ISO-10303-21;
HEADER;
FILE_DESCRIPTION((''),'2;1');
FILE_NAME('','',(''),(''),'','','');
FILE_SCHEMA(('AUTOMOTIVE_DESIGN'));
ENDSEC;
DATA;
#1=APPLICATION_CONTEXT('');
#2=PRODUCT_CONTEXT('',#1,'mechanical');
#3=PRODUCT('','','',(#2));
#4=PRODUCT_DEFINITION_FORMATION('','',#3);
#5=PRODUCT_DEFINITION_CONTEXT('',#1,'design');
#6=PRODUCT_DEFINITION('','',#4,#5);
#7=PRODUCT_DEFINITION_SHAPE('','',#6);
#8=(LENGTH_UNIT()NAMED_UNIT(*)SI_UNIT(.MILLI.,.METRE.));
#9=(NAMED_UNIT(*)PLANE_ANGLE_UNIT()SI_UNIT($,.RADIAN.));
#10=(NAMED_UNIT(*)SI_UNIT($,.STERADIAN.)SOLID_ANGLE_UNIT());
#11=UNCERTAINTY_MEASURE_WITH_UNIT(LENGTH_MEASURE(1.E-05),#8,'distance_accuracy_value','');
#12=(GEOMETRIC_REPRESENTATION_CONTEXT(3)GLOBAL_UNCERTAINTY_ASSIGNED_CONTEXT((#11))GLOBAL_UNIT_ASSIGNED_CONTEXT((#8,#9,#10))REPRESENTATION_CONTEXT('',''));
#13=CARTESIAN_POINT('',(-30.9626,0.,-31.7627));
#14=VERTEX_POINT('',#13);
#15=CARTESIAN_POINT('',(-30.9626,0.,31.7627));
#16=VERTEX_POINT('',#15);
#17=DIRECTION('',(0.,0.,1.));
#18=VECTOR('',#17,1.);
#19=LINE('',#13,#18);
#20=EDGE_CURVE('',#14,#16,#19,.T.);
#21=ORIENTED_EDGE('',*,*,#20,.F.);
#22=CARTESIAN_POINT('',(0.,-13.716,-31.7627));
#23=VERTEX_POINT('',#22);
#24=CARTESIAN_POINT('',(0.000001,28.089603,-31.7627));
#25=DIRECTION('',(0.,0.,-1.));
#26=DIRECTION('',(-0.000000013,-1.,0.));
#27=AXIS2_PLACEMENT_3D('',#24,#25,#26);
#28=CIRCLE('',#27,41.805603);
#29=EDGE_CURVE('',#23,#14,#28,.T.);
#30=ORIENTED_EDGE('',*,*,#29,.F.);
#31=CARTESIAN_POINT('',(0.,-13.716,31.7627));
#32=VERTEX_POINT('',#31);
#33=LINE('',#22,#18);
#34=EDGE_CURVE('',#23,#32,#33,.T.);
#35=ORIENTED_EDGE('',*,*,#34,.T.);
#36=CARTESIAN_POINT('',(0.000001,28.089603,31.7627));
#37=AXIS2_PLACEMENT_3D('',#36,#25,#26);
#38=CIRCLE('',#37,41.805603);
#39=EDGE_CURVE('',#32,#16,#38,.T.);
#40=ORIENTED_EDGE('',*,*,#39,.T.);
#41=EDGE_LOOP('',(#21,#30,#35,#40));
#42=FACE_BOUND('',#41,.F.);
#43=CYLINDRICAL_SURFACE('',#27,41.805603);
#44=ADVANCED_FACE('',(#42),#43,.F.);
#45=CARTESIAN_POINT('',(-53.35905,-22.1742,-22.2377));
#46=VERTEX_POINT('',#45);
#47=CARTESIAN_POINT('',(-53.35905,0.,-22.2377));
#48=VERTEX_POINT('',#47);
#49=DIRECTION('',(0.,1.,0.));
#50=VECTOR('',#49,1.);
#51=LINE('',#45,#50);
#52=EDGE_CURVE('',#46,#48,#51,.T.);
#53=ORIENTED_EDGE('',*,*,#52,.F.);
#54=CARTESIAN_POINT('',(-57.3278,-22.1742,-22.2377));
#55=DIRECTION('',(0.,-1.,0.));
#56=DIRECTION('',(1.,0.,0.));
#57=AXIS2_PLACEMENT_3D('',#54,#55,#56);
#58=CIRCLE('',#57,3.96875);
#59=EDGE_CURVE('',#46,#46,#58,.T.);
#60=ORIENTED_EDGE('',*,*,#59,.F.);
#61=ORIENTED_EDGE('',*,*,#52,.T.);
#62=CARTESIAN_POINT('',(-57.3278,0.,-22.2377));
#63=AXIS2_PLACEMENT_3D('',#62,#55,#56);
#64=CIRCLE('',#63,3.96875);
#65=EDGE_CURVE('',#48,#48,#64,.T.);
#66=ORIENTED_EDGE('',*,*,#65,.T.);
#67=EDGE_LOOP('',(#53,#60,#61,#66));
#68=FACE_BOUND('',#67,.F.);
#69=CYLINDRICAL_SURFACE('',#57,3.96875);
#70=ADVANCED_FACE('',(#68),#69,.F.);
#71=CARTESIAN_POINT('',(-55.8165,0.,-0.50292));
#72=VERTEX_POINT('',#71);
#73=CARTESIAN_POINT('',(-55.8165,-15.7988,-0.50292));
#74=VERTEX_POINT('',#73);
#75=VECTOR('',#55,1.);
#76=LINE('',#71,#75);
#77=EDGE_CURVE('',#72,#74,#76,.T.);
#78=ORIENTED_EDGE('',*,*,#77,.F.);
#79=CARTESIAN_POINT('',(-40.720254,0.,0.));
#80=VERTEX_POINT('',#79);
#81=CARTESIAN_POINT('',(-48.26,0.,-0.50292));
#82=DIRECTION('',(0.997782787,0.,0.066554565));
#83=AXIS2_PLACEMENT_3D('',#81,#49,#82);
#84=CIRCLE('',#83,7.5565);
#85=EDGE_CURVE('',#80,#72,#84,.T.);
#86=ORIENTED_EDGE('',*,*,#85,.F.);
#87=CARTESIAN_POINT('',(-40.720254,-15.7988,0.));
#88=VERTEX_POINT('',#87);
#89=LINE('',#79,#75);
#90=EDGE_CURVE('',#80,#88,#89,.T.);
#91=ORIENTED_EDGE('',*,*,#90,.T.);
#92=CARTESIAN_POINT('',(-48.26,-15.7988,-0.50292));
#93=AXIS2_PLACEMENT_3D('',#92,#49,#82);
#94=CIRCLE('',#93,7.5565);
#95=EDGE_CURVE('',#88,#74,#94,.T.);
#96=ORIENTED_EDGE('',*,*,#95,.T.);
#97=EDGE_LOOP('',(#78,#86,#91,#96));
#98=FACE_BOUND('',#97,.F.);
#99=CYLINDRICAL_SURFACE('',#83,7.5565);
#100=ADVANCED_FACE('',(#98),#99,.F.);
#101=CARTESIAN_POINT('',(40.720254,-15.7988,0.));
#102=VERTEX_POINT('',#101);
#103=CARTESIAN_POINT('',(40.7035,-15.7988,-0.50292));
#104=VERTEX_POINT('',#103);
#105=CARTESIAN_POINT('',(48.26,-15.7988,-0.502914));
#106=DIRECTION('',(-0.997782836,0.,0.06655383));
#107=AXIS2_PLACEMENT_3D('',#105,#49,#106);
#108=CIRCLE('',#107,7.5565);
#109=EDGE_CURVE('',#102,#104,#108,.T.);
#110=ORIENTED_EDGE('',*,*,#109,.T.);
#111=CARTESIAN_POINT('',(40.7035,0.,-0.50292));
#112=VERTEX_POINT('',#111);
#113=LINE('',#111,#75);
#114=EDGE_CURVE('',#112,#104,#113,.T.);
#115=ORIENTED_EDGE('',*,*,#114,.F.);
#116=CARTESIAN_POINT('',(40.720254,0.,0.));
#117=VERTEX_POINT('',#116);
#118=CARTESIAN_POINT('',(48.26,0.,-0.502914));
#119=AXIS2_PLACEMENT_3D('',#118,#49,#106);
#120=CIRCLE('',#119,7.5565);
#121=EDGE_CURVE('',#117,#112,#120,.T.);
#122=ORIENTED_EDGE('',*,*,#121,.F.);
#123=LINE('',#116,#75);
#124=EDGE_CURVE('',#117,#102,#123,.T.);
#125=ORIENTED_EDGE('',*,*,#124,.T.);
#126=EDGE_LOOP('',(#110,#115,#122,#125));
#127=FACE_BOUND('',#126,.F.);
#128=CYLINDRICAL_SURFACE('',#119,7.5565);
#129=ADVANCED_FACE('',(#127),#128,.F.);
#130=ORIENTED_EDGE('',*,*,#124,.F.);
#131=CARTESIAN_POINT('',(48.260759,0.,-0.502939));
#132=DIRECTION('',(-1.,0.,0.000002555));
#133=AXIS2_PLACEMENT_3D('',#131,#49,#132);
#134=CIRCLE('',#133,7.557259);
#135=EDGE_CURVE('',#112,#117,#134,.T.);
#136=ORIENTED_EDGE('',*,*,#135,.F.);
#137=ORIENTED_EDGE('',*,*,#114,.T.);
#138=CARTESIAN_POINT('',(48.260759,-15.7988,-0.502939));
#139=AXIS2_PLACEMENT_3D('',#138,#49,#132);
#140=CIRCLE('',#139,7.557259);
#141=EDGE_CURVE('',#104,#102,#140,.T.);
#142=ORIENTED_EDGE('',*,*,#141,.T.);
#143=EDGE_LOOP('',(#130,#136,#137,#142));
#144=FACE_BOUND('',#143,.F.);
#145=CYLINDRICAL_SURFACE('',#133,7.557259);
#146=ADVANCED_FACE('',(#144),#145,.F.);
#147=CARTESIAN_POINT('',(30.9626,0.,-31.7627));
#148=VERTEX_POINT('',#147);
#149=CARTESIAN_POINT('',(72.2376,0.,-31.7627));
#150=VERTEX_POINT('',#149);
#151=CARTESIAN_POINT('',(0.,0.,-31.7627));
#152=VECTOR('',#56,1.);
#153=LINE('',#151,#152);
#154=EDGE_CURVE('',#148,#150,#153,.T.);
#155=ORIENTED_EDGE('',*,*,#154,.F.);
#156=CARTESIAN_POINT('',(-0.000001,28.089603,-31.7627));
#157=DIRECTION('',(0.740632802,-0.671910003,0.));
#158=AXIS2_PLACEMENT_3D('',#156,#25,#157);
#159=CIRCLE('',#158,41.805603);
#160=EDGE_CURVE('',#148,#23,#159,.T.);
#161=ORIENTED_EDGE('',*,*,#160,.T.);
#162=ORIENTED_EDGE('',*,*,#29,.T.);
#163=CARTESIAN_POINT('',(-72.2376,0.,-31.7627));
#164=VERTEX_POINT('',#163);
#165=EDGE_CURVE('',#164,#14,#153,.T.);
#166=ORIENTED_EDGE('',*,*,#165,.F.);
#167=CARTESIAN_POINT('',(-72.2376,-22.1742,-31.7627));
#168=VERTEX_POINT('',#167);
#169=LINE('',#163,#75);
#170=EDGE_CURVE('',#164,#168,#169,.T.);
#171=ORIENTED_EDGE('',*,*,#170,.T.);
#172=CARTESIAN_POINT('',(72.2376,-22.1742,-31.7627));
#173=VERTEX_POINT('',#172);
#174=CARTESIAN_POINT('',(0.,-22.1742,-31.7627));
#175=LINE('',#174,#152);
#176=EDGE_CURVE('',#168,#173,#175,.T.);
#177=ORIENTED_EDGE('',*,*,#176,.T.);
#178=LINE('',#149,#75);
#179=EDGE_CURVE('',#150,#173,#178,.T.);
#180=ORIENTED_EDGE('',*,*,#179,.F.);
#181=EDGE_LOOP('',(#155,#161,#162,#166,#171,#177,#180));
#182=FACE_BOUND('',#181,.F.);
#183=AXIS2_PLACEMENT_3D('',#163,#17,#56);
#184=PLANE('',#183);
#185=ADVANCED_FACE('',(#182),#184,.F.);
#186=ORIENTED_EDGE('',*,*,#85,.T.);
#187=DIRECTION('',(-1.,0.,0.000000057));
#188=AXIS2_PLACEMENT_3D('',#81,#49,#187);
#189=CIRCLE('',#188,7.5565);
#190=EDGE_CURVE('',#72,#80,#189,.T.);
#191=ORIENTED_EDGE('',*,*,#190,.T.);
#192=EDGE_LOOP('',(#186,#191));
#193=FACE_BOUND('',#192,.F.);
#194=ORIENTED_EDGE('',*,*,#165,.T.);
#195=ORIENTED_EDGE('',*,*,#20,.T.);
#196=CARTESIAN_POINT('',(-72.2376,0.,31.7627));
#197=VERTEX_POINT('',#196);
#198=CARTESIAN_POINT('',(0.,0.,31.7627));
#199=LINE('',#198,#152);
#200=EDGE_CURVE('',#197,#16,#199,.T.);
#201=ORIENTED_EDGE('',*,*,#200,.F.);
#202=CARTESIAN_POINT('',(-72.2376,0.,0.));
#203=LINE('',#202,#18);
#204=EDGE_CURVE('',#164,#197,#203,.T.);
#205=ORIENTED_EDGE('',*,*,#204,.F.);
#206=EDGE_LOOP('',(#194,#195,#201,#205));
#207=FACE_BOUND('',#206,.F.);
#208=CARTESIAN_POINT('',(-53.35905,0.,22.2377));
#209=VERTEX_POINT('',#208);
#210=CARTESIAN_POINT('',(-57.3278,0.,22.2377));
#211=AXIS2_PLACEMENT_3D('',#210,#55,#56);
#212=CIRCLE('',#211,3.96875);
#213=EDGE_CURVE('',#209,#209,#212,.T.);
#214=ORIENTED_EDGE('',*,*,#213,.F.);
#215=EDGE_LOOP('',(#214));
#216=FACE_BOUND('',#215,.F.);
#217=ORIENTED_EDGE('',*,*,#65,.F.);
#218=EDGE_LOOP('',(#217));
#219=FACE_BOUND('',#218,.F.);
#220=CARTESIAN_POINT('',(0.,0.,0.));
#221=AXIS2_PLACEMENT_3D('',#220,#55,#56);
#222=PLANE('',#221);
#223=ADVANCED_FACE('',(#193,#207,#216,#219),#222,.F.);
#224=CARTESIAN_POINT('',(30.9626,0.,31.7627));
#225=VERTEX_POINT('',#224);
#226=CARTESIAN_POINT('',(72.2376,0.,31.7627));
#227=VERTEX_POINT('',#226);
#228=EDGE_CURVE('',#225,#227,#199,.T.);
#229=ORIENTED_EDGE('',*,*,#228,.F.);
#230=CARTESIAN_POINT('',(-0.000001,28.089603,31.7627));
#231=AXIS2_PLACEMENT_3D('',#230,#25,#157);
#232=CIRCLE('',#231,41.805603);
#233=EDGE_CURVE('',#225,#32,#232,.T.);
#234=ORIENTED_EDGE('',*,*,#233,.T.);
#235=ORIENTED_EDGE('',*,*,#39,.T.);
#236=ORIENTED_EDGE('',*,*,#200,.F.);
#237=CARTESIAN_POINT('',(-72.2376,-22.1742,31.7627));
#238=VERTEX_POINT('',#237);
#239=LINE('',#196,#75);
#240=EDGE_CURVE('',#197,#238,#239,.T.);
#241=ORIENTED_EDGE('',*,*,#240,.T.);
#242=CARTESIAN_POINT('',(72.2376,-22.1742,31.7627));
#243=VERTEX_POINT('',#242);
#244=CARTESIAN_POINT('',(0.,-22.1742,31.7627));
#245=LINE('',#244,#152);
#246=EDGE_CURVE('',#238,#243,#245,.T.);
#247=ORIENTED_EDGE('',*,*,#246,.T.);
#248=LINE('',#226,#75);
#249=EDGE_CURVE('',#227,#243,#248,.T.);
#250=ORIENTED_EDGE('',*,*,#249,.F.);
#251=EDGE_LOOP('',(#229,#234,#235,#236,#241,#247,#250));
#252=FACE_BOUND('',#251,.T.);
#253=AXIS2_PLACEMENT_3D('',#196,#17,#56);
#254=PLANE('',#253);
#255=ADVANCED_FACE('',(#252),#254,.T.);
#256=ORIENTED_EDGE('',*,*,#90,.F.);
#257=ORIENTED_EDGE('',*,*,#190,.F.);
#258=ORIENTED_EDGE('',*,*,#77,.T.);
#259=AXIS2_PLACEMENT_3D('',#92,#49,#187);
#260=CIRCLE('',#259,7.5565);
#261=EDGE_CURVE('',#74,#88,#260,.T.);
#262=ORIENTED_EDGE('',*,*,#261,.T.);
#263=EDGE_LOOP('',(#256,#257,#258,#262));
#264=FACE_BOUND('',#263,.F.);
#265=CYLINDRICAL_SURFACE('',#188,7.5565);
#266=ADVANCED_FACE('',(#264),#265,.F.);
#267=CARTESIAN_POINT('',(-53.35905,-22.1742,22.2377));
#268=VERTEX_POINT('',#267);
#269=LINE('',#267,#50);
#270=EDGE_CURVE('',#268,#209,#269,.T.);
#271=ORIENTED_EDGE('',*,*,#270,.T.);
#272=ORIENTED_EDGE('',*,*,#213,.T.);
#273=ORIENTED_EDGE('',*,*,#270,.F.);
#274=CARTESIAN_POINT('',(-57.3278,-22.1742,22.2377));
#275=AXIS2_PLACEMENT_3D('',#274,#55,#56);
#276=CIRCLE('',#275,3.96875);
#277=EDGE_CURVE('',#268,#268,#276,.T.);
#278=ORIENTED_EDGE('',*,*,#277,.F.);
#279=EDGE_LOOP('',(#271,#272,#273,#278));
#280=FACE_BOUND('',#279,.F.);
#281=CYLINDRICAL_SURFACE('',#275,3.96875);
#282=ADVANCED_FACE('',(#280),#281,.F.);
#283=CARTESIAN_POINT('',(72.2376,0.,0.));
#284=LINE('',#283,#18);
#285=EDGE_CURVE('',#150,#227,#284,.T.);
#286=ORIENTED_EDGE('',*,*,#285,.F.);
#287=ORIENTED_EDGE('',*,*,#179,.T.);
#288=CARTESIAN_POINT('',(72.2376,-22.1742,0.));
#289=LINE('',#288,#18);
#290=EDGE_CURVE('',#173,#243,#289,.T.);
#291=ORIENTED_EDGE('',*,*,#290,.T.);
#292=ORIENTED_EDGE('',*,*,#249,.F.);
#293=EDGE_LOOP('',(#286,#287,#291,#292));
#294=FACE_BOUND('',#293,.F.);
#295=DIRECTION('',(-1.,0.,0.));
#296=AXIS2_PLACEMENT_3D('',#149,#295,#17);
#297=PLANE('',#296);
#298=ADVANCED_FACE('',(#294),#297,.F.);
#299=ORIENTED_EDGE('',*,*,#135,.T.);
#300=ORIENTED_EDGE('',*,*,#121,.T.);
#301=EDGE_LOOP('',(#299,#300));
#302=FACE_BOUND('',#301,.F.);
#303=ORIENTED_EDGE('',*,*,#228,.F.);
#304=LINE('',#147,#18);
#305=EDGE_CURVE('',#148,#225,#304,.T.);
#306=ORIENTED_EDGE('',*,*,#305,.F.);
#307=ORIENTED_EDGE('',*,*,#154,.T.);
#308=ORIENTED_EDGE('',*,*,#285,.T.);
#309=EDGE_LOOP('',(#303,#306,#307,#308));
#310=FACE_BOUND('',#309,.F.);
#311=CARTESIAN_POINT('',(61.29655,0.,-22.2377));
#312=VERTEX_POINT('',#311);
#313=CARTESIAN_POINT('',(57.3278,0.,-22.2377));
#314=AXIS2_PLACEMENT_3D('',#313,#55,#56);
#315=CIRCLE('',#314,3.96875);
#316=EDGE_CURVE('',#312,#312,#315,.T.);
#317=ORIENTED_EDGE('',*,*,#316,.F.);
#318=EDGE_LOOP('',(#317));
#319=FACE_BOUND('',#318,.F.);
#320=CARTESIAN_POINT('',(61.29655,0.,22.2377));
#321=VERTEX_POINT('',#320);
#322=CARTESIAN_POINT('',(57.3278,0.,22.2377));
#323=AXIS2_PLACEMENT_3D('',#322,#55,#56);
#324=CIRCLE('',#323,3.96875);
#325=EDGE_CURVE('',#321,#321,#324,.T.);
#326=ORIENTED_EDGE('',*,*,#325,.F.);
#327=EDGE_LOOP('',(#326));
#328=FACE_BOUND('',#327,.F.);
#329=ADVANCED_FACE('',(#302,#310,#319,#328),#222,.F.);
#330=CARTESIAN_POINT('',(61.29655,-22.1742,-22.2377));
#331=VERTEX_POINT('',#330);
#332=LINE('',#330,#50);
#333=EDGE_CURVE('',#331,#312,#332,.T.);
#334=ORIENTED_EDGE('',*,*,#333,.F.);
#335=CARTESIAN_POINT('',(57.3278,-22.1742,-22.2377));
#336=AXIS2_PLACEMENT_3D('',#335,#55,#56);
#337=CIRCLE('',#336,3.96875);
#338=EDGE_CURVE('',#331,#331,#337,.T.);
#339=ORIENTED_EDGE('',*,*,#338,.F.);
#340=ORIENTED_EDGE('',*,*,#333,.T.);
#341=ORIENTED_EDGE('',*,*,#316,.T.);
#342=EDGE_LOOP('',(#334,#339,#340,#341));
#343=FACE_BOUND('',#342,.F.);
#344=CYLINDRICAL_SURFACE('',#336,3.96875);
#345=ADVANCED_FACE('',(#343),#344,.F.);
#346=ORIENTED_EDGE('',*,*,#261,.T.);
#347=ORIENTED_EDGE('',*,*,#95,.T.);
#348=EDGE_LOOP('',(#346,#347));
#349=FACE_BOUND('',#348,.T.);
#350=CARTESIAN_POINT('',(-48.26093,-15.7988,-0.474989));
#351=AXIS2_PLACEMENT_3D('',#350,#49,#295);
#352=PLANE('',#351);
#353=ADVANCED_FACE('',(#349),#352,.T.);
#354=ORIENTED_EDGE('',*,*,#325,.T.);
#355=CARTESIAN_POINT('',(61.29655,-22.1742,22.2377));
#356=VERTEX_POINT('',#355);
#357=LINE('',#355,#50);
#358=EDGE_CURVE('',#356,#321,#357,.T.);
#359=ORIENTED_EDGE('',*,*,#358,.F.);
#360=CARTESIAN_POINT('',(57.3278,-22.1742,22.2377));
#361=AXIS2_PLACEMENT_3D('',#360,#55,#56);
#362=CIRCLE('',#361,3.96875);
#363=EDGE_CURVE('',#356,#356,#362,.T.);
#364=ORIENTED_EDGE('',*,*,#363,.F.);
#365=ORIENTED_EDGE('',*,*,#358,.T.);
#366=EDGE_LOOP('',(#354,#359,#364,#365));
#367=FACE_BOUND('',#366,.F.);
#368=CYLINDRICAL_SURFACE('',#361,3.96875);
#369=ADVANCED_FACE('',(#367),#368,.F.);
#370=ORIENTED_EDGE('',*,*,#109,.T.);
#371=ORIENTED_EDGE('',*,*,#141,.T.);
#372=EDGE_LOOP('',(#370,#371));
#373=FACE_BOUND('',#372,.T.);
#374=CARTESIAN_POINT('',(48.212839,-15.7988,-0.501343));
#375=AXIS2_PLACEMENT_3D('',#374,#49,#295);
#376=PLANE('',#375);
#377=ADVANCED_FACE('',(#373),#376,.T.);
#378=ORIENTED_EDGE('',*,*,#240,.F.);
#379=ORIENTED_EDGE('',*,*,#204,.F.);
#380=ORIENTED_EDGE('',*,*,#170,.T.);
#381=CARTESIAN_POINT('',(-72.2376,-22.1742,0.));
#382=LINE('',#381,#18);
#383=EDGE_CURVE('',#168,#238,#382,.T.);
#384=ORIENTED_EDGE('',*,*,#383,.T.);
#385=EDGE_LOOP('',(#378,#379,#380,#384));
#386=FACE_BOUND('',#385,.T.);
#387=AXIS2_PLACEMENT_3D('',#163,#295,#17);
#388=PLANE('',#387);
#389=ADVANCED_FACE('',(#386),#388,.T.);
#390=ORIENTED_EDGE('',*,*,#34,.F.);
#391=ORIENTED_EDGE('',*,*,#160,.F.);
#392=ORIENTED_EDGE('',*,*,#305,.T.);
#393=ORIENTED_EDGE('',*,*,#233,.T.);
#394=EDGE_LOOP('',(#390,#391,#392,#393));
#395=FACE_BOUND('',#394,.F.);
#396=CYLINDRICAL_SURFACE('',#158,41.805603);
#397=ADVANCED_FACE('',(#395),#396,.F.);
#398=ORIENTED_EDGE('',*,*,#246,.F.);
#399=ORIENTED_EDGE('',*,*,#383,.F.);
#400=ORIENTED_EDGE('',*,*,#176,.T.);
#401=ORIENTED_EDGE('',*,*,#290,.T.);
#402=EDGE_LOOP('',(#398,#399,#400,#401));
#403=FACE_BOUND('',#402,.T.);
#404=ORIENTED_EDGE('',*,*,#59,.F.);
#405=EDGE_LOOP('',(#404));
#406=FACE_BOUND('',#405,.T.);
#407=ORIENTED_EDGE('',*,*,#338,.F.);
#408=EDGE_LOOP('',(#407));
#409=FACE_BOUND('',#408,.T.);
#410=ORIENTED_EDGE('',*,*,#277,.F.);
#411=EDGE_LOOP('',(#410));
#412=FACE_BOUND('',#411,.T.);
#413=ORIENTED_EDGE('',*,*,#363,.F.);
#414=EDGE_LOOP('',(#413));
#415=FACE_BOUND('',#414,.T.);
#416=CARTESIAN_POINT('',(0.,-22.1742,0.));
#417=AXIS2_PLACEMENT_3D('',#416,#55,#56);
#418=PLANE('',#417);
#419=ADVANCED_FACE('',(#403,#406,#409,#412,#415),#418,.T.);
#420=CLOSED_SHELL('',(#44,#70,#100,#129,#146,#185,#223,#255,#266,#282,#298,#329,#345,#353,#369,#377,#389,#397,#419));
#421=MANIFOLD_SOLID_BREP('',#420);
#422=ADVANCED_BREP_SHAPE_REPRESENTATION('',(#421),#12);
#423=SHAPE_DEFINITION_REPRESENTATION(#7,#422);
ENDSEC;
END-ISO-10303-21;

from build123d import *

# Parameters (mm, degrees)
F0_W     = 144.4752
F0_H     = 63.5254
F1_DEPTH = 22.1742
F2_R     = 3.96875
F3_DEPTH = 22.1752
F5_DEPTH = 63.5264
F7_DEPTH = 15.7988
F9_DEPTH = 15.7988


with BuildPart() as f1:
    # F0 (on Front) → F1 (new body)
    with BuildSketch(Plane.XZ):
        Rectangle(F0_W, F0_H)
    extrude(amount=F1_DEPTH)

    # F2 (on face) → F3 (cut, through all)
    with BuildSketch(Plane.XZ.offset(22.1742)):
        with Locations((-57.3278, 22.2377)):
            Circle(F2_R)
        with Locations((-57.3278, -22.2377)):
            Circle(F2_R)
        with Locations((57.3278, -22.2377)):
            Circle(F2_R)
        with Locations((57.3278, 22.2377)):
            Circle(F2_R)
    extrude(amount=-F3_DEPTH, mode=Mode.SUBTRACT)

    # F4 (on face) → F5 (cut, through all)
    with BuildSketch(Plane(origin=(0, 0, -31.7627), x_dir=(1, 0, 0), z_dir=(0, 0, -1))):
        with BuildLine():
            ThreePointArc((30.9626, 0), (16.932301, 10.1335), (0, 13.716))
            ThreePointArc((0, 13.716), (-16.932301, 10.1335), (-30.9626, 0))
            Line((-30.9626, 0), (30.9626, 0))
        make_face()
    extrude(amount=-F5_DEPTH, mode=Mode.SUBTRACT)

    # F6 (on face) → F7 (cut)
    with BuildSketch(Plane(origin=(0, 0, 0), x_dir=(-1, 0, 0), z_dir=(0, 1, 0))):
        with BuildLine():
            ThreePointArc((-40.720254, 0), (-55.81231, -0.75452), (-40.7035, -0.50292))
            ThreePointArc((-40.7035, -0.50292), (-40.70769, -0.25132), (-40.720254, 0))
        make_face()
    extrude(amount=-F7_DEPTH, mode=Mode.SUBTRACT)

    # F8 (on face) → F9 (cut)
    with BuildSketch(Plane(origin=(0, 0, 0), x_dir=(-1, 0, 0), z_dir=(0, 1, 0))):
        with BuildLine():
            ThreePointArc((40.720254, 0), (48.0084, -8.05523), (55.8165, -0.50292))
            ThreePointArc((55.8165, -0.50292), (48.5116, 7.04939), (40.720254, 0))
        make_face()
    extrude(amount=-F9_DEPTH, mode=Mode.SUBTRACT)


solid = f1.part
